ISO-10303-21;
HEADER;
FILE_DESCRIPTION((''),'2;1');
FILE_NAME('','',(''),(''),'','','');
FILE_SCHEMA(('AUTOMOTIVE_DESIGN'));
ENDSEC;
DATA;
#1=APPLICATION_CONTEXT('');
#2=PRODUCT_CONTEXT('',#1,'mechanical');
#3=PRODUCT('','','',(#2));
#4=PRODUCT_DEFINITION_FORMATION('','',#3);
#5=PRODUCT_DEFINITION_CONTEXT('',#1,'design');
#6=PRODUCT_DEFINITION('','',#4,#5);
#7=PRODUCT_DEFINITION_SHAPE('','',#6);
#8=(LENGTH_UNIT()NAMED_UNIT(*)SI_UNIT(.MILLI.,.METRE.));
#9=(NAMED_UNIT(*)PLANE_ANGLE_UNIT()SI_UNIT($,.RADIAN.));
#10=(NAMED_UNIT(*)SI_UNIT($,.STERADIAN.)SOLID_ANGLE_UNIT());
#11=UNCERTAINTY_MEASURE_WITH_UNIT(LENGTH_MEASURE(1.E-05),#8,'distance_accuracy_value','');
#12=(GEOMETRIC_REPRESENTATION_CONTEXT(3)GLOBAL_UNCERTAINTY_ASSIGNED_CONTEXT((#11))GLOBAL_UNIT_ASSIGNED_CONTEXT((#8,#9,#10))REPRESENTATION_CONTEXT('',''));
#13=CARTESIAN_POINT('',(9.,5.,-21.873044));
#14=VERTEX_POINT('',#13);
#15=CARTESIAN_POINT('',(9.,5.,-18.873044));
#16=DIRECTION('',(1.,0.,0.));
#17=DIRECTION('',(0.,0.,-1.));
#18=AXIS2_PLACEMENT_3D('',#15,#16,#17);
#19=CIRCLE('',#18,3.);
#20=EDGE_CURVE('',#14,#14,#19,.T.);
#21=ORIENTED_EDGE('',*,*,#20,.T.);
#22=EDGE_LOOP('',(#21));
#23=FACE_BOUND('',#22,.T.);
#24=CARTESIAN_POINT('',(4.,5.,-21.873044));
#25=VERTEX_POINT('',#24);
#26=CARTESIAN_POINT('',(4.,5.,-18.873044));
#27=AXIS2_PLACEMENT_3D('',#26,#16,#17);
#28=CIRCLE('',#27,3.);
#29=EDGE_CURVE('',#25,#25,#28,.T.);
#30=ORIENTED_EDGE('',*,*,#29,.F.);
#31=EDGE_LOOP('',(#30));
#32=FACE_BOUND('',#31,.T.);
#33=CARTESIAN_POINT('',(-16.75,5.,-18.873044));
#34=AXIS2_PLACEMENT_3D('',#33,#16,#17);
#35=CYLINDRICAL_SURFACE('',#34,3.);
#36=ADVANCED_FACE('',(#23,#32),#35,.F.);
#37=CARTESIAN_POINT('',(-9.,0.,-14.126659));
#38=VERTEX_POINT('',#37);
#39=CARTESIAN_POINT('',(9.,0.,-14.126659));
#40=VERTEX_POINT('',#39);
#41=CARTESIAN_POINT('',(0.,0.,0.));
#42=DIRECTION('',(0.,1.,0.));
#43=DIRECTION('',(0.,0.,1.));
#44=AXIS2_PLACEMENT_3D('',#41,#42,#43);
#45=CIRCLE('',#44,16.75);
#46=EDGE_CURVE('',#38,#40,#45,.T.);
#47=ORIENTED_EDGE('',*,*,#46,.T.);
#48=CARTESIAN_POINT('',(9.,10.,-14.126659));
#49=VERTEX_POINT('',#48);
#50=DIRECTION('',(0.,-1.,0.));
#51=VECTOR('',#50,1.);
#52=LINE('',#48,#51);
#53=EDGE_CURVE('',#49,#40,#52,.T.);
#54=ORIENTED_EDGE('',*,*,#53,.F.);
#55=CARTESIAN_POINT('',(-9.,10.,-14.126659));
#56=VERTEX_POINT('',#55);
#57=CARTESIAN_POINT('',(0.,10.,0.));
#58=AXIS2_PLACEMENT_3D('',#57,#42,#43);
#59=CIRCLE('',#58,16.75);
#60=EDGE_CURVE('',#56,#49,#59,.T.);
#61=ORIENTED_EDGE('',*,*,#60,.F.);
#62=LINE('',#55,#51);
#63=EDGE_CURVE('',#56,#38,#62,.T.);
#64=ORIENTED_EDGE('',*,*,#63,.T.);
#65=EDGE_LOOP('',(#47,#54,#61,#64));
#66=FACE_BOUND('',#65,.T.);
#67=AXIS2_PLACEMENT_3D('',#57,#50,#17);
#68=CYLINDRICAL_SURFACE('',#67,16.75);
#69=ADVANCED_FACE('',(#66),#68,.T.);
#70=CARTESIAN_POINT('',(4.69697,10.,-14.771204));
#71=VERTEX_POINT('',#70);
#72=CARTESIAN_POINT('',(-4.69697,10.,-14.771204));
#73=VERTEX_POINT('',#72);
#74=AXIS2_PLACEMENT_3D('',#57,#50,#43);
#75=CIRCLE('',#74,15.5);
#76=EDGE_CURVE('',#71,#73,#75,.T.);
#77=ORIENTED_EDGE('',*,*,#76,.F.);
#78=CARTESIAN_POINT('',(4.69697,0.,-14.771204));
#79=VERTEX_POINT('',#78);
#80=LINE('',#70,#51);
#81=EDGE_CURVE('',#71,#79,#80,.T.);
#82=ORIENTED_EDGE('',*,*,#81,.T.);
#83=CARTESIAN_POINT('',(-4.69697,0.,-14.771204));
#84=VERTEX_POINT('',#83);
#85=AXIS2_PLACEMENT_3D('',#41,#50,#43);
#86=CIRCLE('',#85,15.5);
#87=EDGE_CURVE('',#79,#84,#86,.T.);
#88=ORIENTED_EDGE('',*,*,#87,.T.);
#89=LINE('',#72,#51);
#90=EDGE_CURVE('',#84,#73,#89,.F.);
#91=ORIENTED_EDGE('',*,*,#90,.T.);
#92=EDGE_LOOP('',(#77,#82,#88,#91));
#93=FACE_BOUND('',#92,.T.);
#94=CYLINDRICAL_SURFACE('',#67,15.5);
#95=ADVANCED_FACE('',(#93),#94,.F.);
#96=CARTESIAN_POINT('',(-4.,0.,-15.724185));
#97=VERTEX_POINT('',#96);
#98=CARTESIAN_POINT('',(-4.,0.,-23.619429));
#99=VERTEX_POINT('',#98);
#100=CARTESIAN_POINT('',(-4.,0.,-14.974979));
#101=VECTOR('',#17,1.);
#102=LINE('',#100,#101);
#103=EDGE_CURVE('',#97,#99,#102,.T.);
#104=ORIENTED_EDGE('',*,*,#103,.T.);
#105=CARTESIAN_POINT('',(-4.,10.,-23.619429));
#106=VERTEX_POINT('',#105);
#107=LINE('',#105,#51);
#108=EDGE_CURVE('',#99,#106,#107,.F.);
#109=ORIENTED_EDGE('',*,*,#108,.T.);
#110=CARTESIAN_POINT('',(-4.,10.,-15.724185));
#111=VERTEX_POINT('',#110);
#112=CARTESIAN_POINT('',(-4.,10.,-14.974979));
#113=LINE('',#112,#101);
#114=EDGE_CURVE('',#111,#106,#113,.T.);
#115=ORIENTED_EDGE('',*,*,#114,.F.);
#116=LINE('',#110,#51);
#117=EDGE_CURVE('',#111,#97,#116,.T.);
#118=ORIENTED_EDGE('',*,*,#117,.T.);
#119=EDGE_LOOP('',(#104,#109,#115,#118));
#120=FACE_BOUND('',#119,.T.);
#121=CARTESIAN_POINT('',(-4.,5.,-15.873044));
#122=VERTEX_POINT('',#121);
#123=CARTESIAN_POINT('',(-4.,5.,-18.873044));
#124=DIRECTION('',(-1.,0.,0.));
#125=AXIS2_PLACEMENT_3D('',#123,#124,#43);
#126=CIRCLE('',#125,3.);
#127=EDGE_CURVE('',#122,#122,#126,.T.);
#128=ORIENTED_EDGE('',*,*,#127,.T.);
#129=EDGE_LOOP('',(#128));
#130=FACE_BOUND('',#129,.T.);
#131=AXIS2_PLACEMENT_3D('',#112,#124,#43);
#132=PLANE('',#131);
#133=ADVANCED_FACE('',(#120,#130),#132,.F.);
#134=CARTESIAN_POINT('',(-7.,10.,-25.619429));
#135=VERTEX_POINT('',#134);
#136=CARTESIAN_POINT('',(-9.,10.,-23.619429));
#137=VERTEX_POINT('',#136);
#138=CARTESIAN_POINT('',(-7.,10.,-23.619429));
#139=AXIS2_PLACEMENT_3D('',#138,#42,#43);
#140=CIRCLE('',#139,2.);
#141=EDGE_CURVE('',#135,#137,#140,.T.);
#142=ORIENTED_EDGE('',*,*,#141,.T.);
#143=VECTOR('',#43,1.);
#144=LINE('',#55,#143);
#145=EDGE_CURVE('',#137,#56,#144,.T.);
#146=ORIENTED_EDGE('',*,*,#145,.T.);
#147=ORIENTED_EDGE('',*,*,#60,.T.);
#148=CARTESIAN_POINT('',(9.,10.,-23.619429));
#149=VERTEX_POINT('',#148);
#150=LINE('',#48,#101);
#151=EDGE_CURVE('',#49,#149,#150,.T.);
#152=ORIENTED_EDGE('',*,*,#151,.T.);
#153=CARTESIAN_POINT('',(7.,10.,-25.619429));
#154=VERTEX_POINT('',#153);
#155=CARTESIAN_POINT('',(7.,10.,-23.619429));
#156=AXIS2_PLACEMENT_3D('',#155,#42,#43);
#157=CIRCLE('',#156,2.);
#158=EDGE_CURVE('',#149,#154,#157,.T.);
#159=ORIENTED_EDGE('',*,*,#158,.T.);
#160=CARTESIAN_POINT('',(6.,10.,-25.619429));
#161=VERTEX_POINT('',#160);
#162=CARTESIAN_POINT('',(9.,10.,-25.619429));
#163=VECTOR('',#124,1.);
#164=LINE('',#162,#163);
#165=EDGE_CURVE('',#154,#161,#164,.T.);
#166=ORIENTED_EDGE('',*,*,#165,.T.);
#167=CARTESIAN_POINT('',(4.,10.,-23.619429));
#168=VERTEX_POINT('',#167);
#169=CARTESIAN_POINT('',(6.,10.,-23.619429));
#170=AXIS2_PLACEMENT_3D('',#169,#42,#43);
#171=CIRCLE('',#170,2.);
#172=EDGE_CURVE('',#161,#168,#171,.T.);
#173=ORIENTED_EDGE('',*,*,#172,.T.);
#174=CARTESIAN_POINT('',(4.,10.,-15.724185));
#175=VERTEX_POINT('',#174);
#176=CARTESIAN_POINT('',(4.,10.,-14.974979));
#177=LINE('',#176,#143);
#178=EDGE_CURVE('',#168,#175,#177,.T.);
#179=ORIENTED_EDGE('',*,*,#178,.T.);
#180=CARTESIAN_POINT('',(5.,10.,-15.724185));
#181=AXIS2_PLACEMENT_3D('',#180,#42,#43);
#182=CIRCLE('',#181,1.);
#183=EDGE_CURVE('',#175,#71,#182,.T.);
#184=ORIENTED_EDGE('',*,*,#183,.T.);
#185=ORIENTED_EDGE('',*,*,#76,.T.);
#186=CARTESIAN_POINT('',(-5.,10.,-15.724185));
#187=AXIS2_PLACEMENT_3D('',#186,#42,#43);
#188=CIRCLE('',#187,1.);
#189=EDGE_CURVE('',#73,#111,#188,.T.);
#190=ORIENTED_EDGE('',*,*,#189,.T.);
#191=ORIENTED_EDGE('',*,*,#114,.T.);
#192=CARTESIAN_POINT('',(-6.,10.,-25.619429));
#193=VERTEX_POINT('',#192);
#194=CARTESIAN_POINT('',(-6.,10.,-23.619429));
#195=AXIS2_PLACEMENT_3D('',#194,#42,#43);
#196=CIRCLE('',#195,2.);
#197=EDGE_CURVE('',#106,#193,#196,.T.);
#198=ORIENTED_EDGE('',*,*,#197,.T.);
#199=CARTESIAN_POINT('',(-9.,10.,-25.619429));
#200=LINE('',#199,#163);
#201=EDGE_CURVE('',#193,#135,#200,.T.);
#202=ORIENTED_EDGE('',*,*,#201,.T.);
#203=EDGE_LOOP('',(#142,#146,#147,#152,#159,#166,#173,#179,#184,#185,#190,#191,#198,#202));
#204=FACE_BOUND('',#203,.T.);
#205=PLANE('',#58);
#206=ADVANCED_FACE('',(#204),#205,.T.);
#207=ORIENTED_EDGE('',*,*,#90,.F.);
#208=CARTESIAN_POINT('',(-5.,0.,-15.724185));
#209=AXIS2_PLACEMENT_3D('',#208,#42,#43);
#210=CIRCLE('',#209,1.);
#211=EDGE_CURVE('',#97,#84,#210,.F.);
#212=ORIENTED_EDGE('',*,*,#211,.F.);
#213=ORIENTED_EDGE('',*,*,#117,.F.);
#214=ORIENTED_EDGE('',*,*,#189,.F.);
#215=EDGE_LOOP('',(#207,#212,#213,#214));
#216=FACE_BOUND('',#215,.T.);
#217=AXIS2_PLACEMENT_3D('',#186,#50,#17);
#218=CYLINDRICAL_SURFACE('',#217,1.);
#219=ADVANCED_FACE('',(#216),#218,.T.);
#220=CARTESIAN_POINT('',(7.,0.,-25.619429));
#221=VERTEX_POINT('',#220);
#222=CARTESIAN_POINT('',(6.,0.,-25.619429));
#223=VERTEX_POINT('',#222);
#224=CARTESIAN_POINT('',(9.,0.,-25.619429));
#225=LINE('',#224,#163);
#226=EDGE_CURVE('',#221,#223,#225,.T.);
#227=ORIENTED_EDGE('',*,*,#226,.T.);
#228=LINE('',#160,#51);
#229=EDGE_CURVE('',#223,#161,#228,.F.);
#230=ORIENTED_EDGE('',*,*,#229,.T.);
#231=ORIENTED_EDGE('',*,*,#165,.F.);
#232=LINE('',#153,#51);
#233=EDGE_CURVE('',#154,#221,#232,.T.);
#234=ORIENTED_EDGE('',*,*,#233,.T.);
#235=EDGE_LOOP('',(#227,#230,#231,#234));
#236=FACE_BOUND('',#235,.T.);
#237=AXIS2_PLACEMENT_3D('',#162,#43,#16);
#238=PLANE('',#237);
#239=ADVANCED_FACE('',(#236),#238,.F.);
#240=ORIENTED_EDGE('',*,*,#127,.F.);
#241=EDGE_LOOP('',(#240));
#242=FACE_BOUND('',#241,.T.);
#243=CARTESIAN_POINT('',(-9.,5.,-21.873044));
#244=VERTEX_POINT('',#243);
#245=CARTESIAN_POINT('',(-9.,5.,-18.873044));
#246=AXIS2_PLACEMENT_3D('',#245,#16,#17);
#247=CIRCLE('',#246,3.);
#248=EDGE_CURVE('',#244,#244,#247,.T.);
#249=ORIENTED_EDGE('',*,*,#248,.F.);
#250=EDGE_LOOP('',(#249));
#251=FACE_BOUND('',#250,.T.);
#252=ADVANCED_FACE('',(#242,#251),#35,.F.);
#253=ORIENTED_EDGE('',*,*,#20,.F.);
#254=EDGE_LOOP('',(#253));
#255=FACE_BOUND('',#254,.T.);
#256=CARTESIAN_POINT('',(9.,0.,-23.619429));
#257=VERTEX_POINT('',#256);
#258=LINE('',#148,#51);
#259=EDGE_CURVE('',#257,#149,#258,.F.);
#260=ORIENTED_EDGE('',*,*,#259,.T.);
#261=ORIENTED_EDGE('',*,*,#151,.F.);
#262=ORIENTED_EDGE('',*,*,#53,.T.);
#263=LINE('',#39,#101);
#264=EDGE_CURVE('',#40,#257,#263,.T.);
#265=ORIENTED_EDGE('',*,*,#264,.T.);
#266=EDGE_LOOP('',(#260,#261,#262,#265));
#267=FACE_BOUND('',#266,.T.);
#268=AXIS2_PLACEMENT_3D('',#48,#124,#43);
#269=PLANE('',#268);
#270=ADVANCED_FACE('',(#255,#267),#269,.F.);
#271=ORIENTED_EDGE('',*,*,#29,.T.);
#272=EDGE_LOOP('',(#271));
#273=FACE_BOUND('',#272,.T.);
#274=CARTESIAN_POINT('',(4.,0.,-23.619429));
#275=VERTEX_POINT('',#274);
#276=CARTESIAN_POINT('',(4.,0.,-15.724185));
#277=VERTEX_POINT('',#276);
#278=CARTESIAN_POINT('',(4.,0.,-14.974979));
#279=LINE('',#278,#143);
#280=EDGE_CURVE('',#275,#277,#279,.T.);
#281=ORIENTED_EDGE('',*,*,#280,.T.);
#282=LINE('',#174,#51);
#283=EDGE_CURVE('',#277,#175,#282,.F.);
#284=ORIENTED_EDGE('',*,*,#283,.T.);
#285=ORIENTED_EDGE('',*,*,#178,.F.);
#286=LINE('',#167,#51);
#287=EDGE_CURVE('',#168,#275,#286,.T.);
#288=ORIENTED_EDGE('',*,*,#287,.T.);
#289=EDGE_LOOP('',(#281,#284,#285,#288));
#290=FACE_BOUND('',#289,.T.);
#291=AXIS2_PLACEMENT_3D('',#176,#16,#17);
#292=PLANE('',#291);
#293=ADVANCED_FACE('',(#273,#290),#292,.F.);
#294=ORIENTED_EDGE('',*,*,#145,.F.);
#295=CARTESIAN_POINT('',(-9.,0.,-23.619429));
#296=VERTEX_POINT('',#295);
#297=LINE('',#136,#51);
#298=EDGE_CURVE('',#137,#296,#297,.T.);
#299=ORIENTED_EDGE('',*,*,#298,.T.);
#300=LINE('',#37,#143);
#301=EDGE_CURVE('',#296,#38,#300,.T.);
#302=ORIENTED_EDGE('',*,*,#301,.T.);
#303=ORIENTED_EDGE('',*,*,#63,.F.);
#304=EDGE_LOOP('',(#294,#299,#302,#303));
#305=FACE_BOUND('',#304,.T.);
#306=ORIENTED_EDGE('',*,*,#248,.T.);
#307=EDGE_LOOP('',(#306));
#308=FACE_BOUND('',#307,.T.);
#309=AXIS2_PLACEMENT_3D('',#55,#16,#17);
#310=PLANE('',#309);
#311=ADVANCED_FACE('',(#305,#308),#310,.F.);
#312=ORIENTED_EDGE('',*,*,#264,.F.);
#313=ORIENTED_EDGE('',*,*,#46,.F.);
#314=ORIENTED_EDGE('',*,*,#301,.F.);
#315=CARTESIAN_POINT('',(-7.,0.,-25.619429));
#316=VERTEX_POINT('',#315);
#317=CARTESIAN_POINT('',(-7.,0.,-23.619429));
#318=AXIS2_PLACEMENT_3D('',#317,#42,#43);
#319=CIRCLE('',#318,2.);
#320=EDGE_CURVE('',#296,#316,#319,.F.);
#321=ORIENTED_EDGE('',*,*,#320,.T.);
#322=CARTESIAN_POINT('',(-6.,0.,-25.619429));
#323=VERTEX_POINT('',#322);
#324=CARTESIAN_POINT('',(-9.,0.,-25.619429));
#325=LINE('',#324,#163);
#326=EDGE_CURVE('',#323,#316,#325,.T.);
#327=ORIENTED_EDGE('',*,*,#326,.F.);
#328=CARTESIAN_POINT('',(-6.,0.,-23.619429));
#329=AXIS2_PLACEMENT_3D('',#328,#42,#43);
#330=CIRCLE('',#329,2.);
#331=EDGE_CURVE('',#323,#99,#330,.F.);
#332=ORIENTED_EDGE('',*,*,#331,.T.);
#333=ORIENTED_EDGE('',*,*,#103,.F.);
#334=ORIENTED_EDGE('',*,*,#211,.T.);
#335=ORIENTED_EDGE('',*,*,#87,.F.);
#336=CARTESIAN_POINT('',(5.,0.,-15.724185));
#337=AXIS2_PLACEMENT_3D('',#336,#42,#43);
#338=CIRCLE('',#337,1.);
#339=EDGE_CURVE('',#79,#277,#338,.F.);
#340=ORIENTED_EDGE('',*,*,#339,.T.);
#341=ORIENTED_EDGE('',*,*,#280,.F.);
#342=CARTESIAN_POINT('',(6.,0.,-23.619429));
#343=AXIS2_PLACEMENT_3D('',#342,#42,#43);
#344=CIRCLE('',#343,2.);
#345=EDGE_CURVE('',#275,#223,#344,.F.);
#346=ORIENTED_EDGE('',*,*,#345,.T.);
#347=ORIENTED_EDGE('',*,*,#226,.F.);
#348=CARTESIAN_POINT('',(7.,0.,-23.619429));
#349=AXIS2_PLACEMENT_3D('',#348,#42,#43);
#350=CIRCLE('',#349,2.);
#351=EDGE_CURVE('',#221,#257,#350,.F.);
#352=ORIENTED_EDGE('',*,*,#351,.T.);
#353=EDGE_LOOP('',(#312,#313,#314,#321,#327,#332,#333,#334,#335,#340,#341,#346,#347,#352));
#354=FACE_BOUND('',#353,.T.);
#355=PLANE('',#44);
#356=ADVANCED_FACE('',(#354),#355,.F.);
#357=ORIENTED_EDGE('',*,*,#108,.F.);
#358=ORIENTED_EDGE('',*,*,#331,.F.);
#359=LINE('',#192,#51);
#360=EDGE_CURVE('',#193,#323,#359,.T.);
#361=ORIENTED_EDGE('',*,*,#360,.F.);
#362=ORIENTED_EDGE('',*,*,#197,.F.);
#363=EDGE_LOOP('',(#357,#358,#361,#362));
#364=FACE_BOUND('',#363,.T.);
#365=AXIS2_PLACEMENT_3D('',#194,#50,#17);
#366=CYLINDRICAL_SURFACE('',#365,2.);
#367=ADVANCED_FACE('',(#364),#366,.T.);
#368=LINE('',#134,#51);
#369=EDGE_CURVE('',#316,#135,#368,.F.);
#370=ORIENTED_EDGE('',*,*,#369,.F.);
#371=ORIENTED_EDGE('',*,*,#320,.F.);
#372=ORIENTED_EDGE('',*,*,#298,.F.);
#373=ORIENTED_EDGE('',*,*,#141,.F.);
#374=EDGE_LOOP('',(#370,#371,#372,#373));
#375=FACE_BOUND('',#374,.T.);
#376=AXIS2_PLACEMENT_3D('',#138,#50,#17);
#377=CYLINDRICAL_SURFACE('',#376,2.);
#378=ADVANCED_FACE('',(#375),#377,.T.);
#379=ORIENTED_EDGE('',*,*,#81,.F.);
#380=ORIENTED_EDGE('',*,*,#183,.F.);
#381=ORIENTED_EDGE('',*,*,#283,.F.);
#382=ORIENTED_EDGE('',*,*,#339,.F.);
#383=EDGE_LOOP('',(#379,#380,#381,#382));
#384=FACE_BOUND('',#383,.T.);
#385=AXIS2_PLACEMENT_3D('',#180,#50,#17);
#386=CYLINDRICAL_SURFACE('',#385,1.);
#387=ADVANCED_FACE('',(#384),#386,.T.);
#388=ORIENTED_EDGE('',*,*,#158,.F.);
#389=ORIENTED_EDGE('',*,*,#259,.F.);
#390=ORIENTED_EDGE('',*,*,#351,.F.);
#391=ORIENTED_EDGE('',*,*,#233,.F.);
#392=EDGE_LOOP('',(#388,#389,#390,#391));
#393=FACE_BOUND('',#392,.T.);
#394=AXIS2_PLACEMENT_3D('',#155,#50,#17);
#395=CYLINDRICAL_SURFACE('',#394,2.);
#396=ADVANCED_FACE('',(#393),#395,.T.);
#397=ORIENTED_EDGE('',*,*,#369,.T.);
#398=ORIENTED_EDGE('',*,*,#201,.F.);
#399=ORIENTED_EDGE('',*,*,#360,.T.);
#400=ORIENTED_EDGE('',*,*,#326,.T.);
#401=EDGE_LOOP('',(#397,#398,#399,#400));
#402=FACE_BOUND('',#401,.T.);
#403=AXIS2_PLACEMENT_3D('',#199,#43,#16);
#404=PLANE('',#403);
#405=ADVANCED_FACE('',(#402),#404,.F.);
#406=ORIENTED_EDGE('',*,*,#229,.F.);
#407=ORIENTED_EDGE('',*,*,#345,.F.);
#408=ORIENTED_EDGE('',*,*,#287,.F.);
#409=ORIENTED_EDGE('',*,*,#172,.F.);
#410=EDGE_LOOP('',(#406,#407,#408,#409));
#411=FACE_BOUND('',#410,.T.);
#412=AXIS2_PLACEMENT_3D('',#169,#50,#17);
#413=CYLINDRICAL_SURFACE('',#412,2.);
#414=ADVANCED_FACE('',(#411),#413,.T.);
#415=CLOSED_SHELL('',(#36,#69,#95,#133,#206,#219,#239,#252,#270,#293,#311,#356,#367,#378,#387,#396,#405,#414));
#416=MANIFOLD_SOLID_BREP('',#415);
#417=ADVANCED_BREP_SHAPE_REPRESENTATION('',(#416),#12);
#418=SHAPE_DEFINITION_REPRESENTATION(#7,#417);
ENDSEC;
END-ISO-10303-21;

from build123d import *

# Parameters (mm, degrees)
SALIENTE_EXTRUIR1_DEPTH = 10
REDONDEO1_R             = 1
REDONDEO2_R             = 2
CROQUIS2_R              = 3
CORTAR_EXTRUIR1_DEPTH   = 26.75


with BuildPart() as part:
    # Croquis1 → Saliente-Extruir1 (new body)
    with BuildSketch(Plane(origin=(0, 0, 0), x_dir=(1, 0, 0), z_dir=(0, 1, 0))):
        with BuildLine():
            Line((-9, 14.126659195), (-9, 25.619429464))
            Line((-9, 25.619429464), (-4, 25.619429464))
            Line((-4, 25.619429464), (-4, 14.974979132))
            ThreePointArc((-4, 14.974979132), (0, -15.5), (4, 14.974979132))
            Line((4, 14.974979132), (4, 25.619429464))
            Line((4, 25.619429464), (9, 25.619429464))
            Line((9, 25.619429464), (9, 14.126659195))
            ThreePointArc((9, 14.126659195), (0, -16.75), (-9, 14.126659195))
        make_face()
    extrude(amount=SALIENTE_EXTRUIR1_DEPTH)

    # Redondeo1
    redondeo1_edges = [part.edges().sort_by_distance(p)[0] for p in [
        (-4, 5, -14.974979132),
        (4, 5, -14.974979132),
    ]]
    fillet(redondeo1_edges, radius=REDONDEO1_R)

    # Redondeo2
    redondeo2_edges = [part.edges().sort_by_distance(p)[0] for p in [
        (-9, 5, -25.619429464),
        (-4, 5, -25.619429464),
        (4, 5, -25.619429464),
        (9, 5, -25.619429464),
    ]]
    fillet(redondeo2_edges, radius=REDONDEO2_R)

    # Croquis2 → Cortar-Extruir1 (cut, through all)
    with BuildSketch(Plane(origin=(9, 0, 0), x_dir=(0, 0, -1), z_dir=(1, 0, 0))):
        with Locations((18.873044329, 5)):
            Circle(CROQUIS2_R)
    extrude(amount=-CORTAR_EXTRUIR1_DEPTH, mode=Mode.SUBTRACT)


solid = part.part
